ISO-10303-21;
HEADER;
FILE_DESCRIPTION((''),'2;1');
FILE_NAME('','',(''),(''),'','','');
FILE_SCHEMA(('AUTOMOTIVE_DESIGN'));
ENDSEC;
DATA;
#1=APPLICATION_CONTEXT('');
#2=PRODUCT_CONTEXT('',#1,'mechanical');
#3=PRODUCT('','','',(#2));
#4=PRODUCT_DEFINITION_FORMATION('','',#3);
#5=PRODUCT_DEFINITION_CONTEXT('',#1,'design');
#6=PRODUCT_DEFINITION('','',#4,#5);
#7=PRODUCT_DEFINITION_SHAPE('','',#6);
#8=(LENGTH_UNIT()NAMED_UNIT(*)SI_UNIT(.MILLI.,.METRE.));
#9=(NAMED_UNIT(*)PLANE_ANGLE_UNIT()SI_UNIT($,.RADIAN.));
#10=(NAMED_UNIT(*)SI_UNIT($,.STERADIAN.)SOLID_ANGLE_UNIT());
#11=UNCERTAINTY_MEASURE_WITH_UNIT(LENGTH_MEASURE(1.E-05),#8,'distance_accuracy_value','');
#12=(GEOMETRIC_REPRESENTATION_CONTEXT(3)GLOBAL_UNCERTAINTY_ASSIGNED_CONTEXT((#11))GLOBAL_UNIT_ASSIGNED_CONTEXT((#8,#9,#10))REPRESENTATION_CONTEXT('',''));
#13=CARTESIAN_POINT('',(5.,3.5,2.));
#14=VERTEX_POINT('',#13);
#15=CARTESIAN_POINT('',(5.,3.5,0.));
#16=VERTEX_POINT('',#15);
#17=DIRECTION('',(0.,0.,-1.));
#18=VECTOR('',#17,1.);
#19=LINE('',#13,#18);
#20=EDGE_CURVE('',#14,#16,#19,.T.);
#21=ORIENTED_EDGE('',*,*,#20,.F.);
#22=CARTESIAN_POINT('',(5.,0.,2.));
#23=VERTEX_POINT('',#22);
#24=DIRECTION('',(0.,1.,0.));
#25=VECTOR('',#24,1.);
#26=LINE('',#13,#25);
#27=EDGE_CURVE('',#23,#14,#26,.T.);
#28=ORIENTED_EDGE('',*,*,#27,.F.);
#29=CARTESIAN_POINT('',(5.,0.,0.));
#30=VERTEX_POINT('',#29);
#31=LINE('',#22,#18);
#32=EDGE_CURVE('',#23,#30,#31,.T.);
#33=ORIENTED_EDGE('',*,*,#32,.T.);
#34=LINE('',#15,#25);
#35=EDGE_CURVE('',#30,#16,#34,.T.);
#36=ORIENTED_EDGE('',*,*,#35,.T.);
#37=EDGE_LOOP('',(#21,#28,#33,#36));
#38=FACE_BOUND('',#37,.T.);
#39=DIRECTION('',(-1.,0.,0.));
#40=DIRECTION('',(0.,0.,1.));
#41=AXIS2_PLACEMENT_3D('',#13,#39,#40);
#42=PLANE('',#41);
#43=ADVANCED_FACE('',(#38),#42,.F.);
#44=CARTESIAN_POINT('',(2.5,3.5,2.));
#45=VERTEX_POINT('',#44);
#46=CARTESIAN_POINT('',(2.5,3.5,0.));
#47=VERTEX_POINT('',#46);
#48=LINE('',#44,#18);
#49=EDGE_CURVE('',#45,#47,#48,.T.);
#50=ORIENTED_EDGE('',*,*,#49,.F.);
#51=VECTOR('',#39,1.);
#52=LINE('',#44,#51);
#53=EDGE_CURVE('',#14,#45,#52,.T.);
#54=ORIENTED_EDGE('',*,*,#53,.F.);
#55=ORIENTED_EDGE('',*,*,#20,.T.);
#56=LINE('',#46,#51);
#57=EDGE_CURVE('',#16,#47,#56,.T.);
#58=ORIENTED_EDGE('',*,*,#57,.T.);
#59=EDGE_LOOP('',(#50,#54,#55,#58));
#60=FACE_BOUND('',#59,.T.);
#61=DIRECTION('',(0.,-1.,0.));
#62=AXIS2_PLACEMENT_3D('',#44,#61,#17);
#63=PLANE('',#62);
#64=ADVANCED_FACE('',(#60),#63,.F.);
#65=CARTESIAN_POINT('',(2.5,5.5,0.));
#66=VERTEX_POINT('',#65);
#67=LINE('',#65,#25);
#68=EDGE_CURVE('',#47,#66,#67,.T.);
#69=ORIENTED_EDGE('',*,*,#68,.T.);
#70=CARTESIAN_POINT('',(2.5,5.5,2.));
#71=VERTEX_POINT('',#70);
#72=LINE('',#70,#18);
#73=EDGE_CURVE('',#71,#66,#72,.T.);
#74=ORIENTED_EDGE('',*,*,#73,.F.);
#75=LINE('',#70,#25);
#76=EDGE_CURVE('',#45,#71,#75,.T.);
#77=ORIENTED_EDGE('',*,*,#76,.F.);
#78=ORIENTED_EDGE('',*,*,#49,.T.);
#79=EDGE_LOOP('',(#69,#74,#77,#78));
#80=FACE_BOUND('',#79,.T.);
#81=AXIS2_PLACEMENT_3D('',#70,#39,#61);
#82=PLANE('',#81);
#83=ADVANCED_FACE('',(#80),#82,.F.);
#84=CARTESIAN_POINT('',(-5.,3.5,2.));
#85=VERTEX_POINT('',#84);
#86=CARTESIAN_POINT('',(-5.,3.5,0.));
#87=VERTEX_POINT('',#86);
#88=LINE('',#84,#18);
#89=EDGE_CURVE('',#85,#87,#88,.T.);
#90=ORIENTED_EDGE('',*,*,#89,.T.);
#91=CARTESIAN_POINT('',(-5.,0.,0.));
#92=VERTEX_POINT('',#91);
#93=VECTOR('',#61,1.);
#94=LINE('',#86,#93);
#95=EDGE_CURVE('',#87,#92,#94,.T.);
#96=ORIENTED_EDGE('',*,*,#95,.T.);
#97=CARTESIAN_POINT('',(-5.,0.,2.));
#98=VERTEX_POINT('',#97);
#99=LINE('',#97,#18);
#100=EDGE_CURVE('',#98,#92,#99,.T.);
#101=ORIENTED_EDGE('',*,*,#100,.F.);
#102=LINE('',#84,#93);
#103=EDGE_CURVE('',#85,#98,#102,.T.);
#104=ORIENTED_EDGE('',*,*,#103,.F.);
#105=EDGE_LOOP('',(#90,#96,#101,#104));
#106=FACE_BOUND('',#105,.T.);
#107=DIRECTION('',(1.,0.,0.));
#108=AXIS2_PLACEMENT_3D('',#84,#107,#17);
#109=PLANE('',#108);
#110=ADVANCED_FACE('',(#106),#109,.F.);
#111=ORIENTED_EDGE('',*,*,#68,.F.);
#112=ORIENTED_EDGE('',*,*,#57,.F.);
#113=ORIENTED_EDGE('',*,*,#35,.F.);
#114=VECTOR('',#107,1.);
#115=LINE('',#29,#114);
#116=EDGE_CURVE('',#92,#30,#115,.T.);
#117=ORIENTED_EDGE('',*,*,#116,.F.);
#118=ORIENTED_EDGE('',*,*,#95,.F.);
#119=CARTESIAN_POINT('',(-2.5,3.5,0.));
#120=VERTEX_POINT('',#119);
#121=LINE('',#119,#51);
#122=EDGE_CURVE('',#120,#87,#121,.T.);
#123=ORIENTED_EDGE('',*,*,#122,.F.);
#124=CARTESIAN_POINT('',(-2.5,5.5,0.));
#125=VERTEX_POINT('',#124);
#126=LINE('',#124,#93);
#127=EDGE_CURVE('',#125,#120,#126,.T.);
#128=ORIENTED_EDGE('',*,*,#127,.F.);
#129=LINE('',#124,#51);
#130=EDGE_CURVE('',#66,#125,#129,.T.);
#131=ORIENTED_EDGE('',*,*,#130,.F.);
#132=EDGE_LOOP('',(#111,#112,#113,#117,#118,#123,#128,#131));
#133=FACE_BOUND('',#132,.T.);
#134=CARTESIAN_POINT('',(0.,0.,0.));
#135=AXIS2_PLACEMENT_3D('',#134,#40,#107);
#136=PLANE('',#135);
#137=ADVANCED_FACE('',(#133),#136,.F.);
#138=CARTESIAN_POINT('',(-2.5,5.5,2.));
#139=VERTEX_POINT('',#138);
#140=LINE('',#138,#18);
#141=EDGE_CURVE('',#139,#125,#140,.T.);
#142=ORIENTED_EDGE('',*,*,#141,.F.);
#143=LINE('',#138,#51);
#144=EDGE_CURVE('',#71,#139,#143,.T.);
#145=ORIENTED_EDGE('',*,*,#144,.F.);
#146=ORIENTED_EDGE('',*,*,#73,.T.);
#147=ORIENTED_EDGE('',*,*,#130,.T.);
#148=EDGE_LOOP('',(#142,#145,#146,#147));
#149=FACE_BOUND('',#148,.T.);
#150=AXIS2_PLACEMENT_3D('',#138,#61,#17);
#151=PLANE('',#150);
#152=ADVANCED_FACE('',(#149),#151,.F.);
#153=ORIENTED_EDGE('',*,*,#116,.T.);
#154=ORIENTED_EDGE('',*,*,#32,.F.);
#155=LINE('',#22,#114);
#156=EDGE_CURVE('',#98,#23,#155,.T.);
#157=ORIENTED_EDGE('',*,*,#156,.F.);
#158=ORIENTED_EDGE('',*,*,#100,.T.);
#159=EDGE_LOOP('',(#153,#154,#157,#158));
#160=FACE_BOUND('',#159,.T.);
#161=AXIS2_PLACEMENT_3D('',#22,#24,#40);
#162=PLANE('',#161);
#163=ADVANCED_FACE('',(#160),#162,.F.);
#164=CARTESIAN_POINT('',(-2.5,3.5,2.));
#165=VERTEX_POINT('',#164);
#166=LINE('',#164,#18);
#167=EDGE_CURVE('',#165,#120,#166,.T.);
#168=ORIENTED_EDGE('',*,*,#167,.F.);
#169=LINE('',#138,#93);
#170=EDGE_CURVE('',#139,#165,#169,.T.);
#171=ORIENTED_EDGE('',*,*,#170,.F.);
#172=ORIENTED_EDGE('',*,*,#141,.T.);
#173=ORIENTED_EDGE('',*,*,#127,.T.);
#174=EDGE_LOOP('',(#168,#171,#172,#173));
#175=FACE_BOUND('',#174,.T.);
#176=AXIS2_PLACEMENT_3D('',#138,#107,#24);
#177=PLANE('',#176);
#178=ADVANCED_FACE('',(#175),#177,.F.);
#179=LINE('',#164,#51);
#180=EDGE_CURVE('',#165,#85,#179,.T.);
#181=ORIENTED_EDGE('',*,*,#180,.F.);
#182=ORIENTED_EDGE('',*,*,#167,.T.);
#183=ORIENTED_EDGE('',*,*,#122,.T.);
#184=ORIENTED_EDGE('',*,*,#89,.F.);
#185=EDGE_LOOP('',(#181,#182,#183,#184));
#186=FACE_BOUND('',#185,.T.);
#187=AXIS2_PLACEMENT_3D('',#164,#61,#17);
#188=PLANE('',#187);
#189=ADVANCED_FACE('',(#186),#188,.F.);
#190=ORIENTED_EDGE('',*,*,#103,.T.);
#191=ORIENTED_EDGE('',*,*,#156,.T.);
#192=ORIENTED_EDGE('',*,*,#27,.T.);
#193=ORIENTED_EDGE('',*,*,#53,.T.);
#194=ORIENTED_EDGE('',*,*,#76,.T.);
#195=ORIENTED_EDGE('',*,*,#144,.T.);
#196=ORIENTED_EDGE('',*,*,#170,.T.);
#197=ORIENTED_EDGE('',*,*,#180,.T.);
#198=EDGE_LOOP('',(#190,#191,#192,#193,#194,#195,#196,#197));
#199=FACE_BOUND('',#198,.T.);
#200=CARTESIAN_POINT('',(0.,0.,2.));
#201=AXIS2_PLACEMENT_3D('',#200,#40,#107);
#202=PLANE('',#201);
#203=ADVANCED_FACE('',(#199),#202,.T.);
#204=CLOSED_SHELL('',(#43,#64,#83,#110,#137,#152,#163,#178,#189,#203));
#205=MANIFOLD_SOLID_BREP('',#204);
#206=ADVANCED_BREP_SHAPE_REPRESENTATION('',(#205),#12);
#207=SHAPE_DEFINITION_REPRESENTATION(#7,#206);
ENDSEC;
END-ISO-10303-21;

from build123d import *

# Parameters (mm, degrees)
BOSS_EXTRUDE1_DEPTH = 2


with BuildPart() as part:
    # Sketch1 → Boss-Extrude1 (new body)
    with BuildSketch(Plane.XY):
        Polygon((-2.5, 5.5), (2.5, 5.5), (2.5, 3.5), (5, 3.5), (5, 0), (-5, 0), (-5, 3.5), (-2.5, 3.5), align=None)
    extrude(amount=BOSS_EXTRUDE1_DEPTH)


solid = part.part
